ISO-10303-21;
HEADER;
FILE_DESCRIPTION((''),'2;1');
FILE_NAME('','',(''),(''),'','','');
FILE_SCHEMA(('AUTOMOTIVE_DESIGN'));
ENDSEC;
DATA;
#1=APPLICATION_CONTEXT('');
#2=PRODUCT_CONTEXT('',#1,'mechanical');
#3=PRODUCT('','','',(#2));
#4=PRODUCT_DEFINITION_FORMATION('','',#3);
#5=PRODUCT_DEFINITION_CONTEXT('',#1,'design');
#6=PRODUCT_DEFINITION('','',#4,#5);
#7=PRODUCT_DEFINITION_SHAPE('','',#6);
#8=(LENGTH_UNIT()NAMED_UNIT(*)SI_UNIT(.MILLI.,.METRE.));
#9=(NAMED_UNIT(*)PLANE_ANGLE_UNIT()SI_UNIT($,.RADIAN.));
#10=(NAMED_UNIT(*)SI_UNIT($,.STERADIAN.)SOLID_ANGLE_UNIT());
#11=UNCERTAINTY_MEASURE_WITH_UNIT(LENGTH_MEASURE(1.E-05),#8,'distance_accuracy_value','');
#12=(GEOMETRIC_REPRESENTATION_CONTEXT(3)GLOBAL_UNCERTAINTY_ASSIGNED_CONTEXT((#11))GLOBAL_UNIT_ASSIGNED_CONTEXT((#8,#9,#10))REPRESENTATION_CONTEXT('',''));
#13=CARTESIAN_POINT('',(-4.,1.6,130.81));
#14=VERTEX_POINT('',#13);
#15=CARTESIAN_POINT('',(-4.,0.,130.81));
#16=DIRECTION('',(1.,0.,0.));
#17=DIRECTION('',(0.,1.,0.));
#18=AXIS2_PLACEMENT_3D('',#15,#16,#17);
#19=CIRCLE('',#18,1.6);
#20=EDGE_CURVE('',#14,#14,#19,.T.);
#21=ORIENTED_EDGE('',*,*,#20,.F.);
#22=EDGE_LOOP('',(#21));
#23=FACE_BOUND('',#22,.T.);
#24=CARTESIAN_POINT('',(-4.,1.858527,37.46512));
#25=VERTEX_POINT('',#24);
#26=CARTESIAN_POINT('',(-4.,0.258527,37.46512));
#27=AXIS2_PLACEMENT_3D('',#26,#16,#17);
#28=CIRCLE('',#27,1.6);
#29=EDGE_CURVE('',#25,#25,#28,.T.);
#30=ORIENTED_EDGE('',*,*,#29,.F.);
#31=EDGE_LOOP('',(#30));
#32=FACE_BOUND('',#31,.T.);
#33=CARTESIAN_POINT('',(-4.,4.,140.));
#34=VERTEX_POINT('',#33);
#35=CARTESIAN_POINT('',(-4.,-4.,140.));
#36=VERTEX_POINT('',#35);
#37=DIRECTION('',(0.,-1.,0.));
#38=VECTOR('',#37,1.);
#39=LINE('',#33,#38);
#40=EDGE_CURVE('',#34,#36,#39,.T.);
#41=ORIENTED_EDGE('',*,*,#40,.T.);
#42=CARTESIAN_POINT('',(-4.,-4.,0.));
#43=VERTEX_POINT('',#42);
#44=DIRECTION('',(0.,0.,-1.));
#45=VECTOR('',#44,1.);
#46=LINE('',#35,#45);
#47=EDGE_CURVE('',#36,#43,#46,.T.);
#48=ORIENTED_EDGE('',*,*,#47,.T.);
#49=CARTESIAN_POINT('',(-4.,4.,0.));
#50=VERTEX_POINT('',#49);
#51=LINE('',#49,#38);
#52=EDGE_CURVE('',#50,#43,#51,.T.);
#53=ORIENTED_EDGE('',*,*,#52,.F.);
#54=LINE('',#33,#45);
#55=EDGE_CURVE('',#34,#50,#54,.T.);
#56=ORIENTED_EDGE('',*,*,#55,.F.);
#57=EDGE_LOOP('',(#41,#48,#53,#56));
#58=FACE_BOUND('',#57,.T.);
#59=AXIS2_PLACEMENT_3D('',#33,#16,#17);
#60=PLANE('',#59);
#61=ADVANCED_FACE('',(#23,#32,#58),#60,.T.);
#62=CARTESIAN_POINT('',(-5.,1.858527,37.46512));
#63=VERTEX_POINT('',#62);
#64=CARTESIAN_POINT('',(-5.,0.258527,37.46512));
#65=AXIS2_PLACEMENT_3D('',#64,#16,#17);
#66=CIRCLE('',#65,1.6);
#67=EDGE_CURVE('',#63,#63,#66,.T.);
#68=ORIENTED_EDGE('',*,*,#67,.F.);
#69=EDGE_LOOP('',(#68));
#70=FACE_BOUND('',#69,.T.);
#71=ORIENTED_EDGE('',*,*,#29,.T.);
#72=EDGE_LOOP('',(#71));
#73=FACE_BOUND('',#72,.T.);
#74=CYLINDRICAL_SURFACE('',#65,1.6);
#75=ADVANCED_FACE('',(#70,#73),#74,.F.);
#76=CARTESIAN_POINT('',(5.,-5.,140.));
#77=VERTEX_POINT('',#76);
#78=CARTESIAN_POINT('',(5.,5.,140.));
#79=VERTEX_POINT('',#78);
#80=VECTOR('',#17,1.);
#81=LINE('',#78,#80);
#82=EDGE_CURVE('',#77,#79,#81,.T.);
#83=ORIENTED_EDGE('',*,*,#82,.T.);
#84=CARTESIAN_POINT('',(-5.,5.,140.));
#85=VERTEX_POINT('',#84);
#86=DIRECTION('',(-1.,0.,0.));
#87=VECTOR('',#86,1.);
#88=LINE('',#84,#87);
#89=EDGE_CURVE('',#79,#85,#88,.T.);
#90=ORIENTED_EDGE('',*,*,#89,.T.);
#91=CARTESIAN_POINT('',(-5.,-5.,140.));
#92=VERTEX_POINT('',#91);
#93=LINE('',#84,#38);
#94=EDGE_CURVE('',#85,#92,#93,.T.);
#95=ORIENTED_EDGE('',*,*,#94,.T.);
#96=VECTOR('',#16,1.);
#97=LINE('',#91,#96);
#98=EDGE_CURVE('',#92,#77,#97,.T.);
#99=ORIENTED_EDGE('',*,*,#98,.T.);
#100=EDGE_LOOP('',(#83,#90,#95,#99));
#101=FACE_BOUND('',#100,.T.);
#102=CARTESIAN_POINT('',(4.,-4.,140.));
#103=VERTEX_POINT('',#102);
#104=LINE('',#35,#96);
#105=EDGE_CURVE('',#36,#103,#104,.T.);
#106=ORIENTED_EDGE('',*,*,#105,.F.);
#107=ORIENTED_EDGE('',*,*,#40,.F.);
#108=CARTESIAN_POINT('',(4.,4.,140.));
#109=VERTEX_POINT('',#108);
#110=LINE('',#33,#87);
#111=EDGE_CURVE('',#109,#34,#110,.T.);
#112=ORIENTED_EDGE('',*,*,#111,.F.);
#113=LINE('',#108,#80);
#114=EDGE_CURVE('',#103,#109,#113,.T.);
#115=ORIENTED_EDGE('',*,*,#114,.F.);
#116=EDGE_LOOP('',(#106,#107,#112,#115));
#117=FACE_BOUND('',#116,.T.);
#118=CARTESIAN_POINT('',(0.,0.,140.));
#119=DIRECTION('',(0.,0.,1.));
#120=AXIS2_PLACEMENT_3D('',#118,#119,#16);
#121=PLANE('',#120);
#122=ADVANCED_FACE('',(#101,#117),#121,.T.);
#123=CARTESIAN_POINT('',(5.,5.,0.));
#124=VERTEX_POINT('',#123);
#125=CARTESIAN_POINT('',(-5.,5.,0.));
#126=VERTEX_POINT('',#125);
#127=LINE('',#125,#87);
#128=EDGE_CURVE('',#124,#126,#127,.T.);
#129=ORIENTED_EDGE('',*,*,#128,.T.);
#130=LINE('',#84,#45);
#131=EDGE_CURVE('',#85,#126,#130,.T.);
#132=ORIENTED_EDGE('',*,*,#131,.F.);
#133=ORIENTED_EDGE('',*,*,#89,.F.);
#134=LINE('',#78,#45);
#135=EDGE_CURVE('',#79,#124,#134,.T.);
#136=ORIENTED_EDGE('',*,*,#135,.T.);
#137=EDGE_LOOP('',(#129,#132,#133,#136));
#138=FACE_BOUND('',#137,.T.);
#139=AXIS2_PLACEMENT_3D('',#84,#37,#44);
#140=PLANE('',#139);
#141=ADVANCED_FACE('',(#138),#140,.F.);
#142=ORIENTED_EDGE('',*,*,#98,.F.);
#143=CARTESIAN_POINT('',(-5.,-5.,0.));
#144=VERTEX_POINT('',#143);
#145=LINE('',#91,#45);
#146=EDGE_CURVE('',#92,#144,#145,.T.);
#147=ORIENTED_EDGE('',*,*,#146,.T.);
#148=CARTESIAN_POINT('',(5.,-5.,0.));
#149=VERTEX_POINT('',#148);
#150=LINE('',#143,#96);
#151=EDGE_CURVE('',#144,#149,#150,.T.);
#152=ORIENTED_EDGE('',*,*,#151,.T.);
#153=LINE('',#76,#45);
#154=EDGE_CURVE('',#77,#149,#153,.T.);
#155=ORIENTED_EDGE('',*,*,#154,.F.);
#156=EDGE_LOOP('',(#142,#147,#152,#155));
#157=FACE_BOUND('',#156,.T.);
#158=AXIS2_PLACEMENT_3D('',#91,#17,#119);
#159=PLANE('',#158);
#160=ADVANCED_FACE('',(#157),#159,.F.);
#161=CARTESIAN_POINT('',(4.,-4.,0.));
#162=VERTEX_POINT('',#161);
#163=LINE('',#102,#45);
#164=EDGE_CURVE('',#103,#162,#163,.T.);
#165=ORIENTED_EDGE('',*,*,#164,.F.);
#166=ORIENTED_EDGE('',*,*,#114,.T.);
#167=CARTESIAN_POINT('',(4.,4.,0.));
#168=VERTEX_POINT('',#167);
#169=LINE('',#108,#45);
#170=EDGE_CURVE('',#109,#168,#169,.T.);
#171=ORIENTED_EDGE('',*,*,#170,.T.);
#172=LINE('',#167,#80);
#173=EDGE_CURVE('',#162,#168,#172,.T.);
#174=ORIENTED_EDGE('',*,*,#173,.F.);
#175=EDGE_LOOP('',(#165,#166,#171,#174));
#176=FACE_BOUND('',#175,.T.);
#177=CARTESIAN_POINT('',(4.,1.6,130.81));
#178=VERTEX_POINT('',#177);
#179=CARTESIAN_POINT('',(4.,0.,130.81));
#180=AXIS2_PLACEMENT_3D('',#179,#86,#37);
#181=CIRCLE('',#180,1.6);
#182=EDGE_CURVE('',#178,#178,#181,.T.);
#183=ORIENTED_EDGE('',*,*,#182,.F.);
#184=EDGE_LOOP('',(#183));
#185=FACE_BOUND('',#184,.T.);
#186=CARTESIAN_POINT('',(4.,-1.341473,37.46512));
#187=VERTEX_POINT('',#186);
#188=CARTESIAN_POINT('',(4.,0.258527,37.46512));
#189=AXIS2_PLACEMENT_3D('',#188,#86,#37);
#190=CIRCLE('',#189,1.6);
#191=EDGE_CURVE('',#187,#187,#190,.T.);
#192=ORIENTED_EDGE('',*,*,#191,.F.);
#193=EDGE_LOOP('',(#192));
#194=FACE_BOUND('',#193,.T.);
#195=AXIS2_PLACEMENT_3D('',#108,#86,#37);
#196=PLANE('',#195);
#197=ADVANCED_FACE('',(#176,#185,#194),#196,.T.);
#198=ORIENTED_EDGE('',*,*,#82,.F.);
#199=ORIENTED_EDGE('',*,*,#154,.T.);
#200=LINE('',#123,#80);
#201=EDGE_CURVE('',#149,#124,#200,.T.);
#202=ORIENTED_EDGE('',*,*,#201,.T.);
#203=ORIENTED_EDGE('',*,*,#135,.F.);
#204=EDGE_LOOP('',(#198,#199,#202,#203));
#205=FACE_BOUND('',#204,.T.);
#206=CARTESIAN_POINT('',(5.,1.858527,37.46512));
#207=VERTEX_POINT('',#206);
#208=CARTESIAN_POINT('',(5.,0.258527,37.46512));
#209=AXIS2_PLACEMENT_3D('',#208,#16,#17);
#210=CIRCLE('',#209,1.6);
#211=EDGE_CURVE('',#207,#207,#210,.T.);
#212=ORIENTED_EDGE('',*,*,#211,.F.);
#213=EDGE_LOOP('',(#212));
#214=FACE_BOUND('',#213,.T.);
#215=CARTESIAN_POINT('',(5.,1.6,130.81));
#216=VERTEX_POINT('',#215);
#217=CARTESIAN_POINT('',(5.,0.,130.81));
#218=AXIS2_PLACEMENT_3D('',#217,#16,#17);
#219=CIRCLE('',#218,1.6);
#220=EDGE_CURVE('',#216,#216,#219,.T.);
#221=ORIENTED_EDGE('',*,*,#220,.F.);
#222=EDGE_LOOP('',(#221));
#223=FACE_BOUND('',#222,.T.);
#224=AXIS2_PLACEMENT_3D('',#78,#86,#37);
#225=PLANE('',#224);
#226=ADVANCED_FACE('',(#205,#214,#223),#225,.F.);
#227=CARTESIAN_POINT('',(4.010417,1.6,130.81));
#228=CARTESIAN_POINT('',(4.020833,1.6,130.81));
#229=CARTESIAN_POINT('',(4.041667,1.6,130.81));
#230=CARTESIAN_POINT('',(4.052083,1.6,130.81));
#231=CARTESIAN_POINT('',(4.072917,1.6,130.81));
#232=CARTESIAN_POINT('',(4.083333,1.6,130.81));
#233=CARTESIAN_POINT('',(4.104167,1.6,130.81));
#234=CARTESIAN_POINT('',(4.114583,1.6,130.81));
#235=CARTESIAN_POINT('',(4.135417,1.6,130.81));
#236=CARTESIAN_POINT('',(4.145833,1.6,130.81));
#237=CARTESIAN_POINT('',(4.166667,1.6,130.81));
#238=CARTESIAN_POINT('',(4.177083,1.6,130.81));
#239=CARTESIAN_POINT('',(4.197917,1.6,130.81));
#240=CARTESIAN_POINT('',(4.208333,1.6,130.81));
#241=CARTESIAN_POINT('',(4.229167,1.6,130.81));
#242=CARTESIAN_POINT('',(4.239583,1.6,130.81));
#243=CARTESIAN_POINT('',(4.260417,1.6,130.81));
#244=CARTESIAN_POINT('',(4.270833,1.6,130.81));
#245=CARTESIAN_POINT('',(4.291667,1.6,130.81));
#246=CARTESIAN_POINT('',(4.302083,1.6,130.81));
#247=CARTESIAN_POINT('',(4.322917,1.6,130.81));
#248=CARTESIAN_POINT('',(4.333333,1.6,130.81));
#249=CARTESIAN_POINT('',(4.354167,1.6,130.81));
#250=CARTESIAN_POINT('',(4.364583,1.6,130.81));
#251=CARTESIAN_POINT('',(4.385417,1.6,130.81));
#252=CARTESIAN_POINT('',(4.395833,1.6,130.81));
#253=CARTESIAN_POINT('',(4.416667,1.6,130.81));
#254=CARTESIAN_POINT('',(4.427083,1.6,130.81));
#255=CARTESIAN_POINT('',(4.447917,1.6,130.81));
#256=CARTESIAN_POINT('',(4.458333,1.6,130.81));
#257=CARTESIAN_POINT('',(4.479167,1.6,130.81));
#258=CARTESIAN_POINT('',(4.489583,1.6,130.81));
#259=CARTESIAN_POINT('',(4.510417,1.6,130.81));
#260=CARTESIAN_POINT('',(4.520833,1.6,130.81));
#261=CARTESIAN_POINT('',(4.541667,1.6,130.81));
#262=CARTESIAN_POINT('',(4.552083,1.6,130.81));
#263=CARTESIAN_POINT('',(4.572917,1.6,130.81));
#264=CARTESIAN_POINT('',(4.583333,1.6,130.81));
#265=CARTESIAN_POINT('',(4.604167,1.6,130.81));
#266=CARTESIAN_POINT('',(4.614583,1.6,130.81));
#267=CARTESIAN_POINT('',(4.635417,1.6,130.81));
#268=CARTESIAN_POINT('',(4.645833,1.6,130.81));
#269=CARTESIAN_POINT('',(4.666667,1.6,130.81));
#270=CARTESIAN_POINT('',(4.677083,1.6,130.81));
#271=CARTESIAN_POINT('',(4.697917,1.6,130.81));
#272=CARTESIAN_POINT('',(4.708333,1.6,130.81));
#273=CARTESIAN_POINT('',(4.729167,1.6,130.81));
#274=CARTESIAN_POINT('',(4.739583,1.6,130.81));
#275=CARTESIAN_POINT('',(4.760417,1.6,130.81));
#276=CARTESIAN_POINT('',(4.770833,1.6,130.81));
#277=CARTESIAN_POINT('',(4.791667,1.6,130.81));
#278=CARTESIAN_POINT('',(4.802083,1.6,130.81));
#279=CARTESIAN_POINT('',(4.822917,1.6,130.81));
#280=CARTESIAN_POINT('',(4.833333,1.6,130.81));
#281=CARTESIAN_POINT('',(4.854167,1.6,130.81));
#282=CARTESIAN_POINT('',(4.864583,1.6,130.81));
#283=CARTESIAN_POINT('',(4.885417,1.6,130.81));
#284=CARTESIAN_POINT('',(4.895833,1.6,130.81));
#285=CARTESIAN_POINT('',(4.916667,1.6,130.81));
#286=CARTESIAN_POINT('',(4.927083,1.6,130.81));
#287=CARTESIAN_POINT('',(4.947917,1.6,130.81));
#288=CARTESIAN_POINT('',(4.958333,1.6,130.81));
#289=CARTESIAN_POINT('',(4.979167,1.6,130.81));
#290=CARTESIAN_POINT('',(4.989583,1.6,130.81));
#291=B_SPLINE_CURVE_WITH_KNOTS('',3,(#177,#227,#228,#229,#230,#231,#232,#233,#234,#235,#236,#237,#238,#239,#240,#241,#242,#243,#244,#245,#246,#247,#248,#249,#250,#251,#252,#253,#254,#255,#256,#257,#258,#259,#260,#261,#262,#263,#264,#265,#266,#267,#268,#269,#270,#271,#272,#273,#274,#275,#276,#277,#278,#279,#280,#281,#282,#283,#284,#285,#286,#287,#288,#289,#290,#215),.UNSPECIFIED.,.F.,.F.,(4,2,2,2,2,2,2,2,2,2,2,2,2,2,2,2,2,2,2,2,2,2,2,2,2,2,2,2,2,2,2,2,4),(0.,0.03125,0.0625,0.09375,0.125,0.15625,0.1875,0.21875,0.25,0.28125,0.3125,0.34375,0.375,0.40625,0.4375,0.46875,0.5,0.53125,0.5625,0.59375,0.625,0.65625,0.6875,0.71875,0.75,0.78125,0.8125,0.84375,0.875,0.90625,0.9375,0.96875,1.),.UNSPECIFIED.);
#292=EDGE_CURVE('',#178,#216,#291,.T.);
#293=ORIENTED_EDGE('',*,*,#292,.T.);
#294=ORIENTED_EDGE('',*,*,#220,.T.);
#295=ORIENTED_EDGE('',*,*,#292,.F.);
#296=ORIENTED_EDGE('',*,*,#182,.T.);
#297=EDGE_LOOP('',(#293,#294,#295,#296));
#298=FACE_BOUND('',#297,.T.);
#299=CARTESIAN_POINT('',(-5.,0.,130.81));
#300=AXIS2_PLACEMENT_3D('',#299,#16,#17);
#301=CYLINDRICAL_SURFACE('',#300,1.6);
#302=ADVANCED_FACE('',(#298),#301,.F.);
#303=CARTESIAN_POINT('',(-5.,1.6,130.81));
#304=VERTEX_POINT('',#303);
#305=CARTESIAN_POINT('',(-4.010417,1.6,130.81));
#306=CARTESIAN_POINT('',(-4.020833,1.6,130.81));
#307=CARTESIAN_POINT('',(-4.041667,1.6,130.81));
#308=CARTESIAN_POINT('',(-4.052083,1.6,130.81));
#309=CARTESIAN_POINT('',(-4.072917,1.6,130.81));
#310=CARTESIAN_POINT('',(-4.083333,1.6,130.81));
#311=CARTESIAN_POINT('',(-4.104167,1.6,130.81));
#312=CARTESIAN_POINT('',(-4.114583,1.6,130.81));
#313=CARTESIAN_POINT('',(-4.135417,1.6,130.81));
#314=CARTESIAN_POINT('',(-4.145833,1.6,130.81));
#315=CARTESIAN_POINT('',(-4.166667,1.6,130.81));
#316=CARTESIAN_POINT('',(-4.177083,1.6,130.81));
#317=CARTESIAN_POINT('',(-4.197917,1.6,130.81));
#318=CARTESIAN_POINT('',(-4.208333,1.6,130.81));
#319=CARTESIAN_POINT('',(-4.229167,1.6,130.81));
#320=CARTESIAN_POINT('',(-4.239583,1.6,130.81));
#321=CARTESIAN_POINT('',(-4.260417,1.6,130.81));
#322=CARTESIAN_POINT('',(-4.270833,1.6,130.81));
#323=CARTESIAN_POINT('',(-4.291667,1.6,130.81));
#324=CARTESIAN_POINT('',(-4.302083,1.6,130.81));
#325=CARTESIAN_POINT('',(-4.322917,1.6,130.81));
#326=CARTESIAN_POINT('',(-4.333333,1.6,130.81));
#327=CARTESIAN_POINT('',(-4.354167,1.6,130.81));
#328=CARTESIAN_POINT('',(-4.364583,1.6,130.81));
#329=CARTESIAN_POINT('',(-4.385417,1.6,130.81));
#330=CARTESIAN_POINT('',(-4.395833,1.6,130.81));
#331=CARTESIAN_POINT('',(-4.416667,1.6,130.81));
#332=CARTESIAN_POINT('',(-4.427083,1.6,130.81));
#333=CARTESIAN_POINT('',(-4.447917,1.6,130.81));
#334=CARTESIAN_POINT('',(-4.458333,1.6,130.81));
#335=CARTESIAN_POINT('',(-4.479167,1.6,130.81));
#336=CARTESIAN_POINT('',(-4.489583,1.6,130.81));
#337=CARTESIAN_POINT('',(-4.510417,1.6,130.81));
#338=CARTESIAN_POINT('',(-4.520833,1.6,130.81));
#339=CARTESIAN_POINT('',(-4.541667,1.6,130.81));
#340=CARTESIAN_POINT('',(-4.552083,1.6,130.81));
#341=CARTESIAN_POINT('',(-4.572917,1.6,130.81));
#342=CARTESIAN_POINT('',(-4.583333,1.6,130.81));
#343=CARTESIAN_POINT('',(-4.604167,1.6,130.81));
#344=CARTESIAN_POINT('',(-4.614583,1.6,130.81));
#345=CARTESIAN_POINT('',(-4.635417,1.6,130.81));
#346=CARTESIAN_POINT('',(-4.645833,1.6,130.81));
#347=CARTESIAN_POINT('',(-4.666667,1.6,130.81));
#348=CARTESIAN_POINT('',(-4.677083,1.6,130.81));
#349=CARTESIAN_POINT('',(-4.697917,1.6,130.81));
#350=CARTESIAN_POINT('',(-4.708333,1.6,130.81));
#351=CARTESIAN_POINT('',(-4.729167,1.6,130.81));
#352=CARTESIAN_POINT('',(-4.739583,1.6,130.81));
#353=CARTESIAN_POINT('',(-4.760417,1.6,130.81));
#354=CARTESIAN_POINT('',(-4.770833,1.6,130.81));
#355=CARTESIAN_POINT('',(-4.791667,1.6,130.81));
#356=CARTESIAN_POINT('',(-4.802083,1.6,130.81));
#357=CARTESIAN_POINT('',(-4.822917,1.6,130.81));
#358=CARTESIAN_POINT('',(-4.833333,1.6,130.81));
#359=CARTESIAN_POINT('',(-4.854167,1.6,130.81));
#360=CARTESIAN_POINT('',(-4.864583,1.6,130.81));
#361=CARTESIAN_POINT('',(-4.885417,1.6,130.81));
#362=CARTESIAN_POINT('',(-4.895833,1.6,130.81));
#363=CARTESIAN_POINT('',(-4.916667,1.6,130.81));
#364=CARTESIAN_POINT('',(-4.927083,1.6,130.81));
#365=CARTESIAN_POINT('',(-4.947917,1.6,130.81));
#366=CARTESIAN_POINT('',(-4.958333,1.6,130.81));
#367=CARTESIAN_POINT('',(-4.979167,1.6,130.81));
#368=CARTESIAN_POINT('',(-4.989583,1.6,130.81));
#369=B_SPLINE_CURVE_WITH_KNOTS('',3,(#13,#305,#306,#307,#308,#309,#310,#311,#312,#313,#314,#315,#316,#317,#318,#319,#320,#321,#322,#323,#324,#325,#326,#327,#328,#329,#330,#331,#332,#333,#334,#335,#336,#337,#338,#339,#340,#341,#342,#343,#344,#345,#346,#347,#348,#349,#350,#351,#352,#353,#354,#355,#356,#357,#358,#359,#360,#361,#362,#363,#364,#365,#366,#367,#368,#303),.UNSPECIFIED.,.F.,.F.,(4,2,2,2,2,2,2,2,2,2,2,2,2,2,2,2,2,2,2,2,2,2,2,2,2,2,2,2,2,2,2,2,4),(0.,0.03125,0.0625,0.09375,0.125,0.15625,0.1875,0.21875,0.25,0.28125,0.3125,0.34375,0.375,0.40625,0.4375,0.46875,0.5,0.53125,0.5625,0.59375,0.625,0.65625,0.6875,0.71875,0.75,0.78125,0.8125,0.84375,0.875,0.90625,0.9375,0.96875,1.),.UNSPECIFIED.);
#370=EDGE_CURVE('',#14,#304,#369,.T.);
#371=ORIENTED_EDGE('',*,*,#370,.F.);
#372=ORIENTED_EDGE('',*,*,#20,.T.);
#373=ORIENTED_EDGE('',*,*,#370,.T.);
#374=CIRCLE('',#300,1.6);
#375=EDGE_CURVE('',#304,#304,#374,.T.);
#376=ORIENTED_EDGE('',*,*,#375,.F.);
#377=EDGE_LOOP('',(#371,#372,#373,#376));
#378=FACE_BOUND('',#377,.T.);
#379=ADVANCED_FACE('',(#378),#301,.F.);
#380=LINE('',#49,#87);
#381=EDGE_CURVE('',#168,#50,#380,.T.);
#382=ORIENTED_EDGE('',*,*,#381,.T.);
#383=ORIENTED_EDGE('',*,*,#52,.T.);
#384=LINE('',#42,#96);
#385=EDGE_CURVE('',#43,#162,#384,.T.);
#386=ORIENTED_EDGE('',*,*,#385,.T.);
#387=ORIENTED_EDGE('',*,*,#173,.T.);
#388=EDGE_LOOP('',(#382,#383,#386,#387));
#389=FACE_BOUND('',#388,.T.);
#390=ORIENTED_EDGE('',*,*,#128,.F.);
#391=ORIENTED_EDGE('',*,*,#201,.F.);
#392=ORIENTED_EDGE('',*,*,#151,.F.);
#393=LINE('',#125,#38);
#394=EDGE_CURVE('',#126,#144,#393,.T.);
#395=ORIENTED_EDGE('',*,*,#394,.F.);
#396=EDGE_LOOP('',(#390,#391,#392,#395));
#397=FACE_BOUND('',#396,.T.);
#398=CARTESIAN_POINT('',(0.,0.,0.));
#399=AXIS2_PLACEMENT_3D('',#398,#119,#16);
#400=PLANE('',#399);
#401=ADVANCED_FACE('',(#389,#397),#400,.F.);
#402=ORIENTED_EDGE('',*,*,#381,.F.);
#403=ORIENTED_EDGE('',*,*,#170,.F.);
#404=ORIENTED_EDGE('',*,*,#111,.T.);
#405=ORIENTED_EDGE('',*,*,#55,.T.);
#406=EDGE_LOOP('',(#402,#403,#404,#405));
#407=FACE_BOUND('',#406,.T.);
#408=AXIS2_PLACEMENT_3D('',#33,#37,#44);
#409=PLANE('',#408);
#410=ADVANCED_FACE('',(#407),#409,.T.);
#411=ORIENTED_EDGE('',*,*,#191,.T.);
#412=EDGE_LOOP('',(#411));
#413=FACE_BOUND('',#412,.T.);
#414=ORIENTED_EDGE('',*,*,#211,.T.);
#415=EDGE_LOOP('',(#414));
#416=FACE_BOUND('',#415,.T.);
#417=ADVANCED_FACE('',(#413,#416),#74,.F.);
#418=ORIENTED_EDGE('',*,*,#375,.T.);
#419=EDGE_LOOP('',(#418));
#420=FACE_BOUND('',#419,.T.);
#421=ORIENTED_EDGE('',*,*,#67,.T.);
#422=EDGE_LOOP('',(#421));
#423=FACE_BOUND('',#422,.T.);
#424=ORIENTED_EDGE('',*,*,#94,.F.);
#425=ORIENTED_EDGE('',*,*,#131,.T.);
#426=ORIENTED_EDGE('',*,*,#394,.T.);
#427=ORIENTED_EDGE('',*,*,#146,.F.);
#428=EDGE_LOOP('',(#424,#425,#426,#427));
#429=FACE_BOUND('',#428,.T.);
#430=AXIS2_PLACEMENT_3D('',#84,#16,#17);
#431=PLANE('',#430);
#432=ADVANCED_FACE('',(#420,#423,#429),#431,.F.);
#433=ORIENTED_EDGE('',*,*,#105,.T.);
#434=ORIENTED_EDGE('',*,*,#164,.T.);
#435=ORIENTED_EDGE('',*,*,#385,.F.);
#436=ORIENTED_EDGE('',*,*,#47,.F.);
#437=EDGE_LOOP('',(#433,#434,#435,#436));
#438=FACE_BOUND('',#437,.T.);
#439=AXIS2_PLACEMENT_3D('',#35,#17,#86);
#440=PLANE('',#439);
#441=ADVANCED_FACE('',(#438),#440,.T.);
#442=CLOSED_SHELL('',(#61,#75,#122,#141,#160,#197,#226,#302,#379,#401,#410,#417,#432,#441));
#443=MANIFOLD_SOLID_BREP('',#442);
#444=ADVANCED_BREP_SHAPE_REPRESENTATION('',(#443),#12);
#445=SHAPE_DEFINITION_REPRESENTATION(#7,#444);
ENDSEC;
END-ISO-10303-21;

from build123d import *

# Parameters (mm, degrees)
SKETCH_1_W          = 10
SKETCH_1_H          = 10
SKETCH_1_W_2        = 8
SKETCH_1_H_2        = 8
EXTRUDE_1_DEPTH     = 140
SKETCH_2_R          = 1.6
CUT_EXTRUDE_1_DEPTH = 141.445719052
SKETCH_3_R          = 1.6
CUT_EXTRUDE_2_DEPTH = 141.445719052


with BuildPart() as part:
    # ｽｹｯﾁ1 → ﾎﾞｽ - 押し出し1 (new body)
    with BuildSketch(Plane.XY):
        Rectangle(SKETCH_1_W, SKETCH_1_H)
        Rectangle(SKETCH_1_W_2, SKETCH_1_H_2, mode=Mode.SUBTRACT)
    extrude(amount=EXTRUDE_1_DEPTH)

    # ｽｹｯﾁ2 → ｶｯﾄ - 押し出し1 (cut, through all)
    with BuildSketch(Plane(origin=(5, 0, 0), x_dir=(0, 0, -1), z_dir=(1, 0, 0))):
        with Locations(Location((-130.81, 0, 0), (0, 0, 90))):
            Circle(SKETCH_2_R)
    extrude(amount=-CUT_EXTRUDE_1_DEPTH, mode=Mode.SUBTRACT)

    # ｽｹｯﾁ3 → ｶｯﾄ - 押し出し2 (cut, through all)
    with BuildSketch(Plane(origin=(5, 0, 0), x_dir=(0, 0, -1), z_dir=(1, 0, 0))):
        with Locations(Location((-37.465120214, 0.258526647, 0), (0, 0, 90))):
            Circle(SKETCH_3_R)
    extrude(amount=-CUT_EXTRUDE_2_DEPTH, mode=Mode.SUBTRACT)


solid = part.part
